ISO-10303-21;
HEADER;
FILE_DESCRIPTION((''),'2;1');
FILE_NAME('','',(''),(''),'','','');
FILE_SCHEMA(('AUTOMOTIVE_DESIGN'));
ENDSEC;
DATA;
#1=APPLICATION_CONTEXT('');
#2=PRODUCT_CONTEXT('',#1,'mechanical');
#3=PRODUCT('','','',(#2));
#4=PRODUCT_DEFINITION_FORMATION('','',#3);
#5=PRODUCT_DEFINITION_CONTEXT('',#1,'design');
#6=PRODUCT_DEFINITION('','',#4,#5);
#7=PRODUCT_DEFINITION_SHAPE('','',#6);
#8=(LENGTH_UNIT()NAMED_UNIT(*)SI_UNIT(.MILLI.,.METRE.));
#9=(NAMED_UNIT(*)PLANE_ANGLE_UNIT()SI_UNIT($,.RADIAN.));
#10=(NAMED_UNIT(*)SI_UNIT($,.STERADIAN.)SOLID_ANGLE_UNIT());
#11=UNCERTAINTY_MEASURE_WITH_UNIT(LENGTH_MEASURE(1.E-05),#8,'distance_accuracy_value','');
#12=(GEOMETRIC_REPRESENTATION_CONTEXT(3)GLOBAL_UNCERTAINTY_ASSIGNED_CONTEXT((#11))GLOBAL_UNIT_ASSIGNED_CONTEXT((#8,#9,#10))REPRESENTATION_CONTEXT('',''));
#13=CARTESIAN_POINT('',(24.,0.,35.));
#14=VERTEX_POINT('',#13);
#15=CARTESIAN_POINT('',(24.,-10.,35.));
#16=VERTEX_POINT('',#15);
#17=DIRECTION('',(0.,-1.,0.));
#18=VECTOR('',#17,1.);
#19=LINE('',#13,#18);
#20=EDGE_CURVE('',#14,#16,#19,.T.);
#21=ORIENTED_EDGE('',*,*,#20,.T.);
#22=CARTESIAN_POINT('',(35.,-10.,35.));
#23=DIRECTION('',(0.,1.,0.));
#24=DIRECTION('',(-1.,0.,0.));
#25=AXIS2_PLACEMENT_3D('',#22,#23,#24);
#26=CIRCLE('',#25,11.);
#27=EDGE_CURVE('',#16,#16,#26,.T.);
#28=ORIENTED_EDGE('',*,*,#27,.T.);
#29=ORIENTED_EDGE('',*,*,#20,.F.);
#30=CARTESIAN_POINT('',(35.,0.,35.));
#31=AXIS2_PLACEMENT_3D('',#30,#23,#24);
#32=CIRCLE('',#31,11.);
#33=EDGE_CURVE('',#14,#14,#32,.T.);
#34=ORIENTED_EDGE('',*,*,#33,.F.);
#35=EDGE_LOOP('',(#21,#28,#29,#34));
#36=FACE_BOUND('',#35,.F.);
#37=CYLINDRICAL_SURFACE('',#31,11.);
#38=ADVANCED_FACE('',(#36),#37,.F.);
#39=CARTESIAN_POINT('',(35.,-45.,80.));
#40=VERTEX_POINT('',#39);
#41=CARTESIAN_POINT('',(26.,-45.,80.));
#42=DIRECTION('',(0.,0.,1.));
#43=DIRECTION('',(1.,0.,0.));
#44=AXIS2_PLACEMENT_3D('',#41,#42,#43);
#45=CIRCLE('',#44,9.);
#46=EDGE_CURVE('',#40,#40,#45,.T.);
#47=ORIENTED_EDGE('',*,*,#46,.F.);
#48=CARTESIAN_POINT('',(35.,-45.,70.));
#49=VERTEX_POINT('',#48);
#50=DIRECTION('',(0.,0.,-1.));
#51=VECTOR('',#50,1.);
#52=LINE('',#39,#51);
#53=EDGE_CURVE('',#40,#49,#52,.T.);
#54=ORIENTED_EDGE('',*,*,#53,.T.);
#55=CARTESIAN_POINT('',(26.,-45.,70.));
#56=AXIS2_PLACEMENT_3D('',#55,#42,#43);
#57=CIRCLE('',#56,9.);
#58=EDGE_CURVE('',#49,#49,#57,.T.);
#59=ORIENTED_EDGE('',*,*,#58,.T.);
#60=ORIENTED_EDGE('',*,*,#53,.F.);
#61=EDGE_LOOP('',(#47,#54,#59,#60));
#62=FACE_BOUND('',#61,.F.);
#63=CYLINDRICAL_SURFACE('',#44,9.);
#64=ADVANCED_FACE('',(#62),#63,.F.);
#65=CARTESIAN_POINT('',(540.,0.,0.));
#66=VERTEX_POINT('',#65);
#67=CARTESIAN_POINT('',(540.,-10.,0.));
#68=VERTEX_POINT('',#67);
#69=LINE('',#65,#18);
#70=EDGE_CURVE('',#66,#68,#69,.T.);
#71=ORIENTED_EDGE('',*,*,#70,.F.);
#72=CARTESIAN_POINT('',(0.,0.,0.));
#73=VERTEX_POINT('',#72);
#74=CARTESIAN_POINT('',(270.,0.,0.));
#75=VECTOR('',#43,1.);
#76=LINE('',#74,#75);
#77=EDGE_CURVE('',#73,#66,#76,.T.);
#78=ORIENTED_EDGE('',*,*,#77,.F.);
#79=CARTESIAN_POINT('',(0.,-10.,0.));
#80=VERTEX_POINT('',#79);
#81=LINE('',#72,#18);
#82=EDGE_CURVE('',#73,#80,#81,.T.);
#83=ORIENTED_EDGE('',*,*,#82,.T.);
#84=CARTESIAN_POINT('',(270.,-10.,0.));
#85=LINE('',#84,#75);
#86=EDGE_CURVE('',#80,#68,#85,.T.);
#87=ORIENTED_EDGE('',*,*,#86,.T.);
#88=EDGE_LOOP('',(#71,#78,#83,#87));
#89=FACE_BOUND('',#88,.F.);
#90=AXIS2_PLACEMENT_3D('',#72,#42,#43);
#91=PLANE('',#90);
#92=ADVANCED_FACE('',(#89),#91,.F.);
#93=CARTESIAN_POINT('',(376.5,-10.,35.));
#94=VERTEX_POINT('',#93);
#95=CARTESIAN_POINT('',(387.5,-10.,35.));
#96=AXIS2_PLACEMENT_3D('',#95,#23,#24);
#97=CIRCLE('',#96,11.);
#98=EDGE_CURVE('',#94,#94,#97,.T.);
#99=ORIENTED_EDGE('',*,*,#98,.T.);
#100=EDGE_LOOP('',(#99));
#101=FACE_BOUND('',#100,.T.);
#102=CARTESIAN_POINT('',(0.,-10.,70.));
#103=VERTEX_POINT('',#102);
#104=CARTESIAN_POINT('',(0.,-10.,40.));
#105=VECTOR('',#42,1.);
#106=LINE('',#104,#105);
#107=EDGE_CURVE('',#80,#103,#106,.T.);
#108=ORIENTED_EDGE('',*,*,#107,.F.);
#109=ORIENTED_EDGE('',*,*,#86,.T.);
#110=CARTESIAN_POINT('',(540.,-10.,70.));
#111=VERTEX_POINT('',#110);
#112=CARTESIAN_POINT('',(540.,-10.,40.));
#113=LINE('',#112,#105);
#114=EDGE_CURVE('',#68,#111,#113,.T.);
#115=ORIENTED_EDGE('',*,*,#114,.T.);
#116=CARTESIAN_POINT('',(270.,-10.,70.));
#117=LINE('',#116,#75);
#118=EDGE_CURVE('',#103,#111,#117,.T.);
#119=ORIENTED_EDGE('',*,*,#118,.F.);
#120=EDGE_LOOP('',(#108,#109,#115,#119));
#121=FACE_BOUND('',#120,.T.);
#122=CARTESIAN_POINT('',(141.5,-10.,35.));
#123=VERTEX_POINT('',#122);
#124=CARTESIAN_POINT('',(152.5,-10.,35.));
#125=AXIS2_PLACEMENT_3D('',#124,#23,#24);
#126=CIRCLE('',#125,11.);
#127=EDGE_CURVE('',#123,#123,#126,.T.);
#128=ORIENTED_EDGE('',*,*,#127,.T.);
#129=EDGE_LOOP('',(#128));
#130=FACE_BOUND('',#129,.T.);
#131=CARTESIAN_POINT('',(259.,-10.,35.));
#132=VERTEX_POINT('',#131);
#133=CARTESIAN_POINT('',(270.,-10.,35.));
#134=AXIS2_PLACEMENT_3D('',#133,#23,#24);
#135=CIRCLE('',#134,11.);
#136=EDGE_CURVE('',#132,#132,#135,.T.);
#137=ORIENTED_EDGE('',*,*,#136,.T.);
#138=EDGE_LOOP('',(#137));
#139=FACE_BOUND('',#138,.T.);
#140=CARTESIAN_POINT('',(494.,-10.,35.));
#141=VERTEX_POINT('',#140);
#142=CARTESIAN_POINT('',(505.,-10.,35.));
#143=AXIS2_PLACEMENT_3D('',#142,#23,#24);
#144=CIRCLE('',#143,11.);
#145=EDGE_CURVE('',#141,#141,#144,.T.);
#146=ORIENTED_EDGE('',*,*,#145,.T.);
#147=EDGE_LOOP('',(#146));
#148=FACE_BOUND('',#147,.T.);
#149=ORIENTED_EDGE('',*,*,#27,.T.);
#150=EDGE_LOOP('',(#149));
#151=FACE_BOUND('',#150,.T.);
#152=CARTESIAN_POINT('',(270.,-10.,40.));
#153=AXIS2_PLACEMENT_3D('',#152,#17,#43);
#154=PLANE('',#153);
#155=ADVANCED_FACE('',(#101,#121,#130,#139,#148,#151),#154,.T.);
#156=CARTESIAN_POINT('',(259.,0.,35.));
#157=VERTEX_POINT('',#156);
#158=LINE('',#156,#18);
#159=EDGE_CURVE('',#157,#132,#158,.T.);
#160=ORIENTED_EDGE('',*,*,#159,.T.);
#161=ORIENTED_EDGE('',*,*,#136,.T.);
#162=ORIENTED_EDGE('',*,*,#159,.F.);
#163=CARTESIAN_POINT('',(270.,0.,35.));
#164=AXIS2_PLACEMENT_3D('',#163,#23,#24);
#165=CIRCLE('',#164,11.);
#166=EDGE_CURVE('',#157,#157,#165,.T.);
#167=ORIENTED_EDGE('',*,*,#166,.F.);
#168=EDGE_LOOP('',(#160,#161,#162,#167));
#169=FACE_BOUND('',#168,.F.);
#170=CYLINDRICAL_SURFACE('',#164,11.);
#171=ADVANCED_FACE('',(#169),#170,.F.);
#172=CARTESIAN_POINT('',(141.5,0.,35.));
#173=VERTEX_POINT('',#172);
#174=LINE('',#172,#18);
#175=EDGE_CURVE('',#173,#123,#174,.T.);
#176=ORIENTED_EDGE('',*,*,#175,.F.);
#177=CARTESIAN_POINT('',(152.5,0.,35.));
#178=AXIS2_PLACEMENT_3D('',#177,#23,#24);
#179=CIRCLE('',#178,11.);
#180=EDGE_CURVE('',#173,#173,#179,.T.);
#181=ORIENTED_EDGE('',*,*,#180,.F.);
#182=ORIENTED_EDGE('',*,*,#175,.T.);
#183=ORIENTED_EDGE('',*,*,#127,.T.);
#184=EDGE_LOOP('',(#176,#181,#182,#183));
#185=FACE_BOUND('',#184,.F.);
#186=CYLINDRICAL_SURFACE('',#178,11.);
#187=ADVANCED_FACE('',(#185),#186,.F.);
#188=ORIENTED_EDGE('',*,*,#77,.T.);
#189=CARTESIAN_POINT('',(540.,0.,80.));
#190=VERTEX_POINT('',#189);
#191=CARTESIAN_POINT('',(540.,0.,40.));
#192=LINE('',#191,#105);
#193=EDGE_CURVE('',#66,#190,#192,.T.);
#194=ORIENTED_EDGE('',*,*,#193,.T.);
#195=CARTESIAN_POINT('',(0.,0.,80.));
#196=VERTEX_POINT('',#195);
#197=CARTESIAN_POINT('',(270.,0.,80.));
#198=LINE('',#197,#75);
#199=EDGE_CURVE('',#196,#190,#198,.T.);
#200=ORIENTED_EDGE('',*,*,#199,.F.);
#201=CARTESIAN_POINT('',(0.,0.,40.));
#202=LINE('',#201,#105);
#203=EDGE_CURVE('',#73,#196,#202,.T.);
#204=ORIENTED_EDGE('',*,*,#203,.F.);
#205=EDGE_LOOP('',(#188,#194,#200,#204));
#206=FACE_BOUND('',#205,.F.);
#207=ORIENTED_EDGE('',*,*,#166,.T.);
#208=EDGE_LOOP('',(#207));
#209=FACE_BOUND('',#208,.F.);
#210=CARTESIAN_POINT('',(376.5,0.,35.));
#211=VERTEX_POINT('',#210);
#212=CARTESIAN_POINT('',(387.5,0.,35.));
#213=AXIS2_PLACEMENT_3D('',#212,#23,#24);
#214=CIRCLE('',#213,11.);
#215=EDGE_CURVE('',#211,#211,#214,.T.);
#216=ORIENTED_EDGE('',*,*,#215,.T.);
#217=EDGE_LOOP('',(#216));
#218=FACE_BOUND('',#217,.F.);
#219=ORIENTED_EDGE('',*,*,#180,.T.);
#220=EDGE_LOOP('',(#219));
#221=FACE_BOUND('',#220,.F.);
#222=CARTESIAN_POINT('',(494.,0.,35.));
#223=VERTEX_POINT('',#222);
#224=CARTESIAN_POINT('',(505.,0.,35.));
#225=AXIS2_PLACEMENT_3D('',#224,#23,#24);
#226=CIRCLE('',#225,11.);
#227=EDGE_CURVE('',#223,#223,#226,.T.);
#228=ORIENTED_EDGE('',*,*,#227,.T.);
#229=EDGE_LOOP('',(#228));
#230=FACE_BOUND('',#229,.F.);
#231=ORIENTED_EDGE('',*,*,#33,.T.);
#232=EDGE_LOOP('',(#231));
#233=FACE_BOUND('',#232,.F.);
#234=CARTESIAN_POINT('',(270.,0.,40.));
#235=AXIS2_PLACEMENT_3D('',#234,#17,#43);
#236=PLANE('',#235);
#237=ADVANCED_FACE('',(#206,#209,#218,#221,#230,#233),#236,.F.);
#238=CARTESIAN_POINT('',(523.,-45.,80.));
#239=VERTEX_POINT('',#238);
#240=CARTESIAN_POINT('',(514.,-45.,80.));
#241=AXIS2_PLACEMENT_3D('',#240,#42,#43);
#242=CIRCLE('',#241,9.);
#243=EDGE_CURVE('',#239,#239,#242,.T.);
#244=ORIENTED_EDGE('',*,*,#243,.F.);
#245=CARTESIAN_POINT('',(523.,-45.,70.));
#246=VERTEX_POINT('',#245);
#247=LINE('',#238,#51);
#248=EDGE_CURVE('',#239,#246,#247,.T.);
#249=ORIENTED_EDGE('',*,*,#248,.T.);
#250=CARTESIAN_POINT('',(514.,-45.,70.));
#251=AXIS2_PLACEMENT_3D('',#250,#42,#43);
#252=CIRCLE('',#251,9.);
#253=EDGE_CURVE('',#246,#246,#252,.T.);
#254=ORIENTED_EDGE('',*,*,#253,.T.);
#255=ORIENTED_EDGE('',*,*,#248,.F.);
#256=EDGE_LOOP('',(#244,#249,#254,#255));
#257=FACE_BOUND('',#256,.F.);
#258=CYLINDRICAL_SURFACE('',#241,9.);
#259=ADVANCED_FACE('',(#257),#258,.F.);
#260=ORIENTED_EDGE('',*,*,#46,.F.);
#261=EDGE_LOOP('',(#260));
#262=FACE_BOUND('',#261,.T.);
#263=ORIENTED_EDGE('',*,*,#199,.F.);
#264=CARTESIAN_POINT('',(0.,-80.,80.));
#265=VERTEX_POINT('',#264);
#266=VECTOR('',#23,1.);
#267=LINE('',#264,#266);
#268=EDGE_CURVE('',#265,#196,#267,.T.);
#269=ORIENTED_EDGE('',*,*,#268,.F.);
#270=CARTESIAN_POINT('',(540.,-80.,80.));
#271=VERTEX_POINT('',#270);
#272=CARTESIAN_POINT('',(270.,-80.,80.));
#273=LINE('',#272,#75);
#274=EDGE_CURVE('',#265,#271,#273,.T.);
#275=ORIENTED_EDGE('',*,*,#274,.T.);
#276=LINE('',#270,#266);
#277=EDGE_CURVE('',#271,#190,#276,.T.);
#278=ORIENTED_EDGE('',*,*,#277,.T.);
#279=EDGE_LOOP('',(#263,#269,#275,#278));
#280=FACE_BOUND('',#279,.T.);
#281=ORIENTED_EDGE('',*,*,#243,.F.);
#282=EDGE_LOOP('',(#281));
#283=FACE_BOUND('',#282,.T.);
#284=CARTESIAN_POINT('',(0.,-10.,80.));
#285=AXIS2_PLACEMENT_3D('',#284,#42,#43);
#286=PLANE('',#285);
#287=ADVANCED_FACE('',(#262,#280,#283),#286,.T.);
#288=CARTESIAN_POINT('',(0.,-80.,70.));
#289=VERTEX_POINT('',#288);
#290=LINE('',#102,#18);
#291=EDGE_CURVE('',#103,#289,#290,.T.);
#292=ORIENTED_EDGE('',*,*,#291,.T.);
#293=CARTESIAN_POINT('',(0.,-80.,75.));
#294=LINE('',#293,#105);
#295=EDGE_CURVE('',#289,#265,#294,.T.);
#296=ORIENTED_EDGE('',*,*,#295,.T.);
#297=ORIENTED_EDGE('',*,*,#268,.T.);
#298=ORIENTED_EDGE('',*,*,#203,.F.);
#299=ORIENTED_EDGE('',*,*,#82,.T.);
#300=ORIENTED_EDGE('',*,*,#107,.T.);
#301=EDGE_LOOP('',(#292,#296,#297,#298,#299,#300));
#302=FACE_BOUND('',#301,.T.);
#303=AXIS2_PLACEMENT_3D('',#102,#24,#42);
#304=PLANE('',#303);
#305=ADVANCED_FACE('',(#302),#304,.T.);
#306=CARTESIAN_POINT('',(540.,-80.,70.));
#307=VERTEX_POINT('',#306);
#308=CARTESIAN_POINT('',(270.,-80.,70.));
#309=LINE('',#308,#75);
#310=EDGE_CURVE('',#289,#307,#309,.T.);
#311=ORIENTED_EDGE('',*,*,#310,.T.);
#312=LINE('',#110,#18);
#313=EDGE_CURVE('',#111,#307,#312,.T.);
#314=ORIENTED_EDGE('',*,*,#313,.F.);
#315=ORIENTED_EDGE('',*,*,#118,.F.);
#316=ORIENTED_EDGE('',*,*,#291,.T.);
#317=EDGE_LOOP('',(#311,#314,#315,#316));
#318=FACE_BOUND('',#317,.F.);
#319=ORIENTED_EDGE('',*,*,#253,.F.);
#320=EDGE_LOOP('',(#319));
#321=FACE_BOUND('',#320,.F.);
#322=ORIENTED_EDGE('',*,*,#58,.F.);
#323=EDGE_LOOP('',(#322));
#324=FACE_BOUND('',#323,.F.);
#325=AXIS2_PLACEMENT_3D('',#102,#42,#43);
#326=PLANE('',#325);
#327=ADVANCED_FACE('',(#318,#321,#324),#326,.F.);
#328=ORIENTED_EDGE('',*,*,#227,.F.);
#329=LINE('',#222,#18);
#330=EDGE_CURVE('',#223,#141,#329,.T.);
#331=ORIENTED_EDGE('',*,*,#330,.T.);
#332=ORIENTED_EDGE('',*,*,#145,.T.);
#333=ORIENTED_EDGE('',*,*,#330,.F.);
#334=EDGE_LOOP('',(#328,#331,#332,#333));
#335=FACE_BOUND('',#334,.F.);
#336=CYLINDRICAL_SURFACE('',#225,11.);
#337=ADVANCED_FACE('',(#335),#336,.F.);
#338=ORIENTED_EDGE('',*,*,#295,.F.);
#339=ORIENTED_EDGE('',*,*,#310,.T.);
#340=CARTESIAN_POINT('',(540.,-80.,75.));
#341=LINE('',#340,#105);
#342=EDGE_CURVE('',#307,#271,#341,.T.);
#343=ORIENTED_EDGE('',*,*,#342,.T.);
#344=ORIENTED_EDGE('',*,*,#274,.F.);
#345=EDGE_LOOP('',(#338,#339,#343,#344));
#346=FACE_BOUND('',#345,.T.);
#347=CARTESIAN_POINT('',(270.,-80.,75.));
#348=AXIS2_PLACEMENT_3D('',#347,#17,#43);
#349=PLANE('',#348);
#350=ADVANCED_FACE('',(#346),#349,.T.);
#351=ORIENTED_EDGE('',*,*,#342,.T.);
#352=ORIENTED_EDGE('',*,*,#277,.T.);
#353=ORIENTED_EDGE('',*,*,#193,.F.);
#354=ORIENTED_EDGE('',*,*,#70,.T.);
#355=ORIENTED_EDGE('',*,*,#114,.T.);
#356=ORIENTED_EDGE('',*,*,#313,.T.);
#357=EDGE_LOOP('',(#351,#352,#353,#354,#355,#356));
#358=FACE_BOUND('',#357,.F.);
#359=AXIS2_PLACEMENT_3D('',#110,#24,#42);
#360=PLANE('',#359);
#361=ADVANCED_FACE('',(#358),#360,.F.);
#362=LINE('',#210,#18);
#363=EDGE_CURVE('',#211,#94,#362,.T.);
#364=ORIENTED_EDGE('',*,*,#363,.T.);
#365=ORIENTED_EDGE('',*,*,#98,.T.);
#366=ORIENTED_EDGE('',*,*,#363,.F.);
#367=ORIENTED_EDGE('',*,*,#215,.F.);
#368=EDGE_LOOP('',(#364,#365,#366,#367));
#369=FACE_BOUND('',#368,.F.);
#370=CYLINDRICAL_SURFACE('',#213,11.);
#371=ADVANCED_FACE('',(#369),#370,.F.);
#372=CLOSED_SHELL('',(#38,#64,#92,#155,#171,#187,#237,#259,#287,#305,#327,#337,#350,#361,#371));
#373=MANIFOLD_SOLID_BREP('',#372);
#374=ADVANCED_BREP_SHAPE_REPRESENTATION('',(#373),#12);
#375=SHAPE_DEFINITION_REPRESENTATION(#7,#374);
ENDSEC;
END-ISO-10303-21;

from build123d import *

# Parameters (mm, degrees)
F0_W     = 540
F0_H     = 80
F1_DEPTH = 10
F2_W     = 540
F2_H     = 10
F3_DEPTH = 70
F4_R     = 11
F5_DEPTH = 80.001
F6_R     = 9
F7_DEPTH = 80.001


with BuildPart() as f1:
    # F0 (on Front) → F1 (new body)
    with BuildSketch(Plane.XZ):
        with Locations((270, 40)):
            Rectangle(F0_W, F0_H)
    extrude(amount=F1_DEPTH)

    # F2 (on face) → F3 (join)
    with BuildSketch(Plane.XZ.offset(10)):
        with Locations((270, 75)):
            Rectangle(F2_W, F2_H)
    extrude(amount=F3_DEPTH)

    # F4 (on face) → F5 (cut, through all)
    with BuildSketch(Plane(origin=(0, 0, 0), x_dir=(-1, 0, 0), z_dir=(0, 1, 0))):
        with Locations((-505, 35)):
            Circle(F4_R)
        with Locations((-387.5, 35)):
            Circle(F4_R)
        with Locations((-270, 35)):
            Circle(F4_R)
        with Locations((-152.5, 35)):
            Circle(F4_R)
        with Locations((-35, 35)):
            Circle(F4_R)
    extrude(amount=-F5_DEPTH, mode=Mode.SUBTRACT)

    # F6 (on face) → F7 (cut, through all)
    with BuildSketch(Plane.XY.offset(80)):
        with Locations((26, -45)):
            Circle(F6_R)
        with Locations((514, -45)):
            Circle(F6_R)
    extrude(amount=-F7_DEPTH, mode=Mode.SUBTRACT)


solid = f1.part
